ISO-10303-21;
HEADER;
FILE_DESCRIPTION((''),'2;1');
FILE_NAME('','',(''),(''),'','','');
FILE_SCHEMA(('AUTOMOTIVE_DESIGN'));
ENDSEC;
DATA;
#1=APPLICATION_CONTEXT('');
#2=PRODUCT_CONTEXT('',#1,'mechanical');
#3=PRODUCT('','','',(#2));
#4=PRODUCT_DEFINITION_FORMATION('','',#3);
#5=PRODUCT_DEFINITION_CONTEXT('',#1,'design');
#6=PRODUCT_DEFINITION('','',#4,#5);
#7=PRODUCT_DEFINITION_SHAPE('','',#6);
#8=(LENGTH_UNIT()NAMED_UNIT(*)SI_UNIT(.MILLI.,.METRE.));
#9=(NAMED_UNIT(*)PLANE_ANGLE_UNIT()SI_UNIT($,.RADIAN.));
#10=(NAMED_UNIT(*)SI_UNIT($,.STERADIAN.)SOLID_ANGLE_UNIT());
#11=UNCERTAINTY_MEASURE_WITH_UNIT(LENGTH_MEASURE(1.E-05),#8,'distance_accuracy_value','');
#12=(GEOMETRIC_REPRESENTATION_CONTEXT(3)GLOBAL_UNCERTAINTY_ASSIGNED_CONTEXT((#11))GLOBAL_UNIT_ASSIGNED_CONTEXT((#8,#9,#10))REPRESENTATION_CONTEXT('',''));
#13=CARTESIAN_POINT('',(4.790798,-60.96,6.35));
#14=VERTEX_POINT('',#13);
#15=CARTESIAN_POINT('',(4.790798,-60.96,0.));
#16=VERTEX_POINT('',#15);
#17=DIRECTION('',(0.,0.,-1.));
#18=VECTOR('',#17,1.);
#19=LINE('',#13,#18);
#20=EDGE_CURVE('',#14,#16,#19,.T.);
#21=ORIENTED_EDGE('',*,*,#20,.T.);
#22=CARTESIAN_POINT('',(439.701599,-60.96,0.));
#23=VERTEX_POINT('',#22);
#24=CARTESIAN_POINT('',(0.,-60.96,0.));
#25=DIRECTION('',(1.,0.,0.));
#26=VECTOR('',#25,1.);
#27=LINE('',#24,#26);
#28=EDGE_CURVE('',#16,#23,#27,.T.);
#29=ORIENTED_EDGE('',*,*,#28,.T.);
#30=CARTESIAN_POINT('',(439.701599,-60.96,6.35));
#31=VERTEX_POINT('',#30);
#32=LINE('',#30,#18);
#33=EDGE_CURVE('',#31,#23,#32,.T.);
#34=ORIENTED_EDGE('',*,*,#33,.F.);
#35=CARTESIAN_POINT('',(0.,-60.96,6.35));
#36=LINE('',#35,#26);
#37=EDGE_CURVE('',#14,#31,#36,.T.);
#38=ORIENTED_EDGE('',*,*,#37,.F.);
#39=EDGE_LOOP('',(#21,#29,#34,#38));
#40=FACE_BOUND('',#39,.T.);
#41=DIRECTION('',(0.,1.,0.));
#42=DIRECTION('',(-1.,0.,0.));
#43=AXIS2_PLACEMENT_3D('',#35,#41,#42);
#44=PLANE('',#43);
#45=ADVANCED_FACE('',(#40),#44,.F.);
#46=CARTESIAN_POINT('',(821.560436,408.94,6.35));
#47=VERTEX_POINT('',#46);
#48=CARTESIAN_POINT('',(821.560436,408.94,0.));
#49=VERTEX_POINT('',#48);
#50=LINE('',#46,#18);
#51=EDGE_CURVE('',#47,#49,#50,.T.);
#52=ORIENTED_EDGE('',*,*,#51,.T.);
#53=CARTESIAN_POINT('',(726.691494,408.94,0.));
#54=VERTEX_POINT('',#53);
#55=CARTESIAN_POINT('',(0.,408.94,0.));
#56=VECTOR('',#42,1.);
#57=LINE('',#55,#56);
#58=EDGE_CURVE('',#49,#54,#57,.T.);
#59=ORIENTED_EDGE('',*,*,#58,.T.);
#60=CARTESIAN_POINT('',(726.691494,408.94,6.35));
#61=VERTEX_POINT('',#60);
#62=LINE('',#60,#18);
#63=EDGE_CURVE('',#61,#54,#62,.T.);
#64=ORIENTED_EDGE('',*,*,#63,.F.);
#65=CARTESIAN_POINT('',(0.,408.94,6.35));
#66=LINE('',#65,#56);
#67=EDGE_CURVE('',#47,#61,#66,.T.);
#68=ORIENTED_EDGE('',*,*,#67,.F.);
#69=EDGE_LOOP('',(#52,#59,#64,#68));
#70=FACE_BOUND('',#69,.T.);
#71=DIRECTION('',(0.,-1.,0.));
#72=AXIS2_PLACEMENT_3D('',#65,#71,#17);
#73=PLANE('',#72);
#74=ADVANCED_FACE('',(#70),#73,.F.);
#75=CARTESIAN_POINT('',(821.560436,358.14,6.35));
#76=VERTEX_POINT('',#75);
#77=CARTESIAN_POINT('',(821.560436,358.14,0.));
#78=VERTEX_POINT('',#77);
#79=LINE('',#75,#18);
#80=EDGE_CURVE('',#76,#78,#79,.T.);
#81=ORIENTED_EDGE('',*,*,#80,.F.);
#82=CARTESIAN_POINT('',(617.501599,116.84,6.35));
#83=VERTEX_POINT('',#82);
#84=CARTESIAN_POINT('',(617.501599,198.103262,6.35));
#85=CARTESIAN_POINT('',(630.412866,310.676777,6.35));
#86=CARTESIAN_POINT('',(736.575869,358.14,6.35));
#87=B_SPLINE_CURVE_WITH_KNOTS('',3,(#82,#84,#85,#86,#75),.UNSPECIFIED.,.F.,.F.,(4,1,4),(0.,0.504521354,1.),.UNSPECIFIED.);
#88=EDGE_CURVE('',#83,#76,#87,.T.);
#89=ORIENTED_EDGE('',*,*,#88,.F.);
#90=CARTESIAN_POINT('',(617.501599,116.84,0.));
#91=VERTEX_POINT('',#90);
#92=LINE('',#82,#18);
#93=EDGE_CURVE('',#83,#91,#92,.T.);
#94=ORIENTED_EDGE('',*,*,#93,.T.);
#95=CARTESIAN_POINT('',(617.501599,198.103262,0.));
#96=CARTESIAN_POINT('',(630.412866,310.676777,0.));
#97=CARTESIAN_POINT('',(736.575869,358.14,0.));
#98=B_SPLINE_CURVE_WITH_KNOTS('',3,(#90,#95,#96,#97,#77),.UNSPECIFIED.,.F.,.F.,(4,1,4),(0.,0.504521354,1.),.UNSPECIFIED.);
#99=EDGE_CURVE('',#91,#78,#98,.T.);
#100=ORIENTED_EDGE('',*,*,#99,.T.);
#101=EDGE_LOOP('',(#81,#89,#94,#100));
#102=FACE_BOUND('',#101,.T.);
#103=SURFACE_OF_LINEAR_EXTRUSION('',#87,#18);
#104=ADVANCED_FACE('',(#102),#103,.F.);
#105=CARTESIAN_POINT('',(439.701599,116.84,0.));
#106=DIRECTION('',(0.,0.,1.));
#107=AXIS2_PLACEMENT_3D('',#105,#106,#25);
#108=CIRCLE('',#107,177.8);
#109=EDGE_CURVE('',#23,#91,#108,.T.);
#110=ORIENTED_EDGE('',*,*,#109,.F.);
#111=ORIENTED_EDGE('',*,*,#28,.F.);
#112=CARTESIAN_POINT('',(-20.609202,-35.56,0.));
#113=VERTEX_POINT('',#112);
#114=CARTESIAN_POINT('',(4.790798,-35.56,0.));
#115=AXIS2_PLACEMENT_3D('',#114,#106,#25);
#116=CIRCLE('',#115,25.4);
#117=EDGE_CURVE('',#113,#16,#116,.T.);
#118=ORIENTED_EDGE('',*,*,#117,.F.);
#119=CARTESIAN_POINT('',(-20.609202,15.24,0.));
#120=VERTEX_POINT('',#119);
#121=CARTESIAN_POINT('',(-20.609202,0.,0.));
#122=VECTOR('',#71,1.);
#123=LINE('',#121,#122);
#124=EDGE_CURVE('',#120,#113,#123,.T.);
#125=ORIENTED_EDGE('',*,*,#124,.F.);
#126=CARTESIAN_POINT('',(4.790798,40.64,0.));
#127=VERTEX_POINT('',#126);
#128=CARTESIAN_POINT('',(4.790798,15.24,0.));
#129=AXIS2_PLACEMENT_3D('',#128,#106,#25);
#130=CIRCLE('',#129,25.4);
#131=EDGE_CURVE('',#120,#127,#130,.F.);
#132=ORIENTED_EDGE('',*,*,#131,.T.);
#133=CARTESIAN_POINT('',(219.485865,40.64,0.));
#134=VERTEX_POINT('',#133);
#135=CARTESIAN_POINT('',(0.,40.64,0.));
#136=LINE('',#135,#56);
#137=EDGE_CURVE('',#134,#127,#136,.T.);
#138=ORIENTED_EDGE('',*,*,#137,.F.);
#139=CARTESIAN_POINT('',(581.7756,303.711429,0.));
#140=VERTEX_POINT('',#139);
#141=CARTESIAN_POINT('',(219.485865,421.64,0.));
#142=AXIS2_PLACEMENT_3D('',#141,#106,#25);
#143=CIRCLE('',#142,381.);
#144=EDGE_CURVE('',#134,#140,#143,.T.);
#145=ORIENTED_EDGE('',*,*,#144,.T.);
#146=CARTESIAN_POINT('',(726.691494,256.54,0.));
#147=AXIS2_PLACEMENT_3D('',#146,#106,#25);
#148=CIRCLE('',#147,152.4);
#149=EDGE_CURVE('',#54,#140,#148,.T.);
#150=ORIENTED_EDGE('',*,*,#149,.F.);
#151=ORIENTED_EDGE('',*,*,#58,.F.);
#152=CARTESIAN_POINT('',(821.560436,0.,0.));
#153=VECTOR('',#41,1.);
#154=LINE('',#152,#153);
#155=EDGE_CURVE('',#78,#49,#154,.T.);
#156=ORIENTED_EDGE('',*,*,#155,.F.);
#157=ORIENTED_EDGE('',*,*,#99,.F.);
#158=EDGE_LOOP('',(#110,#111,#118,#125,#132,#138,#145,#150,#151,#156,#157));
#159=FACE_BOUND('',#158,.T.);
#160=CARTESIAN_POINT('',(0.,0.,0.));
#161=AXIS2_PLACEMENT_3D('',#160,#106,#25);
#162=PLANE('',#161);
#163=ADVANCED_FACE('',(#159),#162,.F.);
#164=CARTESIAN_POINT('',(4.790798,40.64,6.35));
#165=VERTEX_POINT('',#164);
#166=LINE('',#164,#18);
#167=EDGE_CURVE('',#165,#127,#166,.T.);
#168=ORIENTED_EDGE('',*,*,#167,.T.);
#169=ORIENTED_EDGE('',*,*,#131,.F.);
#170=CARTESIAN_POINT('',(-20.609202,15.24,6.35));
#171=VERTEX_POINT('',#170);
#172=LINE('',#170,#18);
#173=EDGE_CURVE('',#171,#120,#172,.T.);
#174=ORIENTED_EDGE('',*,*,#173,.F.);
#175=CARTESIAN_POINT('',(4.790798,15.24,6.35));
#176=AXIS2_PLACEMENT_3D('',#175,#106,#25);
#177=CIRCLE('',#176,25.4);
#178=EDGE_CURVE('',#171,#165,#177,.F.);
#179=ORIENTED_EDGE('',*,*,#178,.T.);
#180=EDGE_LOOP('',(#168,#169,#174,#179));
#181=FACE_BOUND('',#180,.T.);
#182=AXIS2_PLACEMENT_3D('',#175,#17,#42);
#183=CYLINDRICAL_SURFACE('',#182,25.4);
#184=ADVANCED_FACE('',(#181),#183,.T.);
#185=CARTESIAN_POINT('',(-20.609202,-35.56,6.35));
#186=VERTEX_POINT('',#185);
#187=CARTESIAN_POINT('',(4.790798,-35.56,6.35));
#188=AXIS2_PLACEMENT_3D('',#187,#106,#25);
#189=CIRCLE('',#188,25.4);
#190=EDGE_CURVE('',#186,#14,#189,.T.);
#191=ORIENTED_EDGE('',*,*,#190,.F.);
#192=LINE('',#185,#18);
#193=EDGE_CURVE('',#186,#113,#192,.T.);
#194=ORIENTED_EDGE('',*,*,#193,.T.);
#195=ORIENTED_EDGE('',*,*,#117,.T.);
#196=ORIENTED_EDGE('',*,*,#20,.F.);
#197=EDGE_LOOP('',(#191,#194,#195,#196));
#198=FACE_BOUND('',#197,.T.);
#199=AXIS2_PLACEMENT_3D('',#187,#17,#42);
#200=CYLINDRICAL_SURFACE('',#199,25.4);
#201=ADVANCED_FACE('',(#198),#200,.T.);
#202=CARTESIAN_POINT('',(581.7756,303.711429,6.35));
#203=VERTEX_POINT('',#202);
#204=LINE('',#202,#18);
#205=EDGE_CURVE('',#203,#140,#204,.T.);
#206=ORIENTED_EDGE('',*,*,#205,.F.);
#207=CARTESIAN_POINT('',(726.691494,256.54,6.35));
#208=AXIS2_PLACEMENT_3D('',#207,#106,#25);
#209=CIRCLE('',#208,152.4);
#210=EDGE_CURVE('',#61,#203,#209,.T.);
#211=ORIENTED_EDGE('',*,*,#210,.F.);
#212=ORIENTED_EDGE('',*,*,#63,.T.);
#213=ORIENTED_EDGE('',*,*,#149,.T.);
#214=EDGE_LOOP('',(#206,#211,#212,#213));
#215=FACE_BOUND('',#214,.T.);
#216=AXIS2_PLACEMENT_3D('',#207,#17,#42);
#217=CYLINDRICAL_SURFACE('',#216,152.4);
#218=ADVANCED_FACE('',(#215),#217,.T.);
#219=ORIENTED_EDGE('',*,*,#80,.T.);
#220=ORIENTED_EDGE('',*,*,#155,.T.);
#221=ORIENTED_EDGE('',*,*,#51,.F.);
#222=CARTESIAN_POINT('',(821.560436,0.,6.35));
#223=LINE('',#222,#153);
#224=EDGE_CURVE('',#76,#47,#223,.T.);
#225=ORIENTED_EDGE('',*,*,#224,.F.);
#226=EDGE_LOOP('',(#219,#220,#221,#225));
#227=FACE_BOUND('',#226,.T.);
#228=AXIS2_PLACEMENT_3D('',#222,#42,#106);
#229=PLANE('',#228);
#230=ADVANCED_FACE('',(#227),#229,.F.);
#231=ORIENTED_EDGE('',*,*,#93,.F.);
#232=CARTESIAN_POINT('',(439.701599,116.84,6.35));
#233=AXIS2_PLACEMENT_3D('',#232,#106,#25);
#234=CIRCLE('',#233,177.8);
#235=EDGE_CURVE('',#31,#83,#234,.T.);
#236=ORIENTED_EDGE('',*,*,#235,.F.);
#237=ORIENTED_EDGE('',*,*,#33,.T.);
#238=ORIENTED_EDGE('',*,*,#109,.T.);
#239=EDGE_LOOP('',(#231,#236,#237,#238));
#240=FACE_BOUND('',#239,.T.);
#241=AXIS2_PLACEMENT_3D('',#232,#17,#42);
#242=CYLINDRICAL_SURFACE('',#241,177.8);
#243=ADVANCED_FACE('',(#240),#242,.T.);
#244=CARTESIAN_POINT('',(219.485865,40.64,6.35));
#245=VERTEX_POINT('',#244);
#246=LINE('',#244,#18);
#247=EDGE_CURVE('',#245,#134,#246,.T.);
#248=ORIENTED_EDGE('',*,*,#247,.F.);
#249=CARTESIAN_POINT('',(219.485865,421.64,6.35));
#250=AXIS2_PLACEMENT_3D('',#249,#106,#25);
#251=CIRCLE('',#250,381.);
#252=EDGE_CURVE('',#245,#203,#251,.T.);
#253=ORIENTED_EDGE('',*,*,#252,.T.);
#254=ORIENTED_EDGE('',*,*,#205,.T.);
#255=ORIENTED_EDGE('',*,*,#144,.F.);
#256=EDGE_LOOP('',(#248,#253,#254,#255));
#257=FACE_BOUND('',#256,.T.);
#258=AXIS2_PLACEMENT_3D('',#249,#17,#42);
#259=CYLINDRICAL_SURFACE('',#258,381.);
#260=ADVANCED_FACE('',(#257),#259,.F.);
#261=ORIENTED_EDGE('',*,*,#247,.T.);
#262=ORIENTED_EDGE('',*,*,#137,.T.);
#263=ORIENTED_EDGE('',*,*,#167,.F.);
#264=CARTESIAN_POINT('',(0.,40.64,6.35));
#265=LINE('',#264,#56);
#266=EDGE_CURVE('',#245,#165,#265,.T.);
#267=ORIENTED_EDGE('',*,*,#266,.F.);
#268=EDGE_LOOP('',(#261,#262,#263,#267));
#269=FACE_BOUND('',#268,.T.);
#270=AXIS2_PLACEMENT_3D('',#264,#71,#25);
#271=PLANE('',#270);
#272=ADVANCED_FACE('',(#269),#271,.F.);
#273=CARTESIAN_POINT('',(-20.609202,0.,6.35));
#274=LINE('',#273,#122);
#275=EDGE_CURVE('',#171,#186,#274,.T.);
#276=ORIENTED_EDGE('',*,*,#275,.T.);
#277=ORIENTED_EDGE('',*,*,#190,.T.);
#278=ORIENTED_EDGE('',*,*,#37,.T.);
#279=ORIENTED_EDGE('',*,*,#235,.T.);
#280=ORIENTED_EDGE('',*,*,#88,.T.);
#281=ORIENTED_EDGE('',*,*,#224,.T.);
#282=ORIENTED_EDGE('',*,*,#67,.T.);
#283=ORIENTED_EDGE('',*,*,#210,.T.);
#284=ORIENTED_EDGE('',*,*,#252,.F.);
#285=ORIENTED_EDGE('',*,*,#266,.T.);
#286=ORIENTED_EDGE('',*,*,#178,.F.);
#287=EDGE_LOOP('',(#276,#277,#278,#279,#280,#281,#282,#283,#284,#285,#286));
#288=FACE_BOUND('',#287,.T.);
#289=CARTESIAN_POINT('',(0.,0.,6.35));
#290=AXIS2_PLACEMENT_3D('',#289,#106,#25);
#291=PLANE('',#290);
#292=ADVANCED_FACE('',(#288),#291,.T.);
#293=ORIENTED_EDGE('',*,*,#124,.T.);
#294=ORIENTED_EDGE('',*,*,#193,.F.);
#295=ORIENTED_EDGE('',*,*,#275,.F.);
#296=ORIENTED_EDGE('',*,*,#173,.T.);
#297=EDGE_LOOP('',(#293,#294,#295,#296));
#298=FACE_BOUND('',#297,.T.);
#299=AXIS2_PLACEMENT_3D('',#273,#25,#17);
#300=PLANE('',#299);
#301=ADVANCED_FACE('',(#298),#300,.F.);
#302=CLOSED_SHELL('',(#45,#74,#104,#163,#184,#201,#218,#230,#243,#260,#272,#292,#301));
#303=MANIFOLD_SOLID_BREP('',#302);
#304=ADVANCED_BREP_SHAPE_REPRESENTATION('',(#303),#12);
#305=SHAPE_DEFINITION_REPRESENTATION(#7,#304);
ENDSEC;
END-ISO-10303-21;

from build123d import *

# Parameters (mm, degrees)
BOSS_EXTRUDE1_DEPTH = 6.35


with BuildPart() as part:
    # Sketch1 → Boss-Extrude1 (new body)
    with BuildSketch(Plane.XY):
        with BuildLine():
            Line((4.79079833, -60.96), (439.701599067, -60.96))
            ThreePointArc((439.701599067, -60.96), (565.425184762, -8.883585695), (617.501599067, 116.84))
            add(Edge.make_bspline(
                [(617.501599067, 116.84), (617.501599067, 198.103261629), (630.412866299, 310.67677722), (736.575869498, 358.14), (821.560436263, 358.14)],
                knots=[0, 0, 0, 0, 0.504521354, 1, 1, 1, 1], degree=3))
            Line((821.560436263, 358.14), (821.560436263, 408.94))
            Line((821.560436263, 408.94), (726.691494057, 408.94))
            ThreePointArc((726.691494057, 408.94), (637.145879185, 379.858055682), (581.775600083, 303.711428571))
            ThreePointArc((581.775600083, 303.711428571), (443.349902326, 113.344860795), (219.485865145, 40.64))
            Line((219.485865145, 40.64), (4.79079833, 40.64))
            ThreePointArc((4.79079833, 40.64), (-13.169713912, 33.200512242), (-20.60920167, 15.24))
            Line((-20.60920167, 15.24), (-20.60920167, -35.56))
            ThreePointArc((-20.60920167, -35.56), (-13.169713912, -53.520512242), (4.79079833, -60.96))
        make_face()
    extrude(amount=BOSS_EXTRUDE1_DEPTH)


solid = part.part
